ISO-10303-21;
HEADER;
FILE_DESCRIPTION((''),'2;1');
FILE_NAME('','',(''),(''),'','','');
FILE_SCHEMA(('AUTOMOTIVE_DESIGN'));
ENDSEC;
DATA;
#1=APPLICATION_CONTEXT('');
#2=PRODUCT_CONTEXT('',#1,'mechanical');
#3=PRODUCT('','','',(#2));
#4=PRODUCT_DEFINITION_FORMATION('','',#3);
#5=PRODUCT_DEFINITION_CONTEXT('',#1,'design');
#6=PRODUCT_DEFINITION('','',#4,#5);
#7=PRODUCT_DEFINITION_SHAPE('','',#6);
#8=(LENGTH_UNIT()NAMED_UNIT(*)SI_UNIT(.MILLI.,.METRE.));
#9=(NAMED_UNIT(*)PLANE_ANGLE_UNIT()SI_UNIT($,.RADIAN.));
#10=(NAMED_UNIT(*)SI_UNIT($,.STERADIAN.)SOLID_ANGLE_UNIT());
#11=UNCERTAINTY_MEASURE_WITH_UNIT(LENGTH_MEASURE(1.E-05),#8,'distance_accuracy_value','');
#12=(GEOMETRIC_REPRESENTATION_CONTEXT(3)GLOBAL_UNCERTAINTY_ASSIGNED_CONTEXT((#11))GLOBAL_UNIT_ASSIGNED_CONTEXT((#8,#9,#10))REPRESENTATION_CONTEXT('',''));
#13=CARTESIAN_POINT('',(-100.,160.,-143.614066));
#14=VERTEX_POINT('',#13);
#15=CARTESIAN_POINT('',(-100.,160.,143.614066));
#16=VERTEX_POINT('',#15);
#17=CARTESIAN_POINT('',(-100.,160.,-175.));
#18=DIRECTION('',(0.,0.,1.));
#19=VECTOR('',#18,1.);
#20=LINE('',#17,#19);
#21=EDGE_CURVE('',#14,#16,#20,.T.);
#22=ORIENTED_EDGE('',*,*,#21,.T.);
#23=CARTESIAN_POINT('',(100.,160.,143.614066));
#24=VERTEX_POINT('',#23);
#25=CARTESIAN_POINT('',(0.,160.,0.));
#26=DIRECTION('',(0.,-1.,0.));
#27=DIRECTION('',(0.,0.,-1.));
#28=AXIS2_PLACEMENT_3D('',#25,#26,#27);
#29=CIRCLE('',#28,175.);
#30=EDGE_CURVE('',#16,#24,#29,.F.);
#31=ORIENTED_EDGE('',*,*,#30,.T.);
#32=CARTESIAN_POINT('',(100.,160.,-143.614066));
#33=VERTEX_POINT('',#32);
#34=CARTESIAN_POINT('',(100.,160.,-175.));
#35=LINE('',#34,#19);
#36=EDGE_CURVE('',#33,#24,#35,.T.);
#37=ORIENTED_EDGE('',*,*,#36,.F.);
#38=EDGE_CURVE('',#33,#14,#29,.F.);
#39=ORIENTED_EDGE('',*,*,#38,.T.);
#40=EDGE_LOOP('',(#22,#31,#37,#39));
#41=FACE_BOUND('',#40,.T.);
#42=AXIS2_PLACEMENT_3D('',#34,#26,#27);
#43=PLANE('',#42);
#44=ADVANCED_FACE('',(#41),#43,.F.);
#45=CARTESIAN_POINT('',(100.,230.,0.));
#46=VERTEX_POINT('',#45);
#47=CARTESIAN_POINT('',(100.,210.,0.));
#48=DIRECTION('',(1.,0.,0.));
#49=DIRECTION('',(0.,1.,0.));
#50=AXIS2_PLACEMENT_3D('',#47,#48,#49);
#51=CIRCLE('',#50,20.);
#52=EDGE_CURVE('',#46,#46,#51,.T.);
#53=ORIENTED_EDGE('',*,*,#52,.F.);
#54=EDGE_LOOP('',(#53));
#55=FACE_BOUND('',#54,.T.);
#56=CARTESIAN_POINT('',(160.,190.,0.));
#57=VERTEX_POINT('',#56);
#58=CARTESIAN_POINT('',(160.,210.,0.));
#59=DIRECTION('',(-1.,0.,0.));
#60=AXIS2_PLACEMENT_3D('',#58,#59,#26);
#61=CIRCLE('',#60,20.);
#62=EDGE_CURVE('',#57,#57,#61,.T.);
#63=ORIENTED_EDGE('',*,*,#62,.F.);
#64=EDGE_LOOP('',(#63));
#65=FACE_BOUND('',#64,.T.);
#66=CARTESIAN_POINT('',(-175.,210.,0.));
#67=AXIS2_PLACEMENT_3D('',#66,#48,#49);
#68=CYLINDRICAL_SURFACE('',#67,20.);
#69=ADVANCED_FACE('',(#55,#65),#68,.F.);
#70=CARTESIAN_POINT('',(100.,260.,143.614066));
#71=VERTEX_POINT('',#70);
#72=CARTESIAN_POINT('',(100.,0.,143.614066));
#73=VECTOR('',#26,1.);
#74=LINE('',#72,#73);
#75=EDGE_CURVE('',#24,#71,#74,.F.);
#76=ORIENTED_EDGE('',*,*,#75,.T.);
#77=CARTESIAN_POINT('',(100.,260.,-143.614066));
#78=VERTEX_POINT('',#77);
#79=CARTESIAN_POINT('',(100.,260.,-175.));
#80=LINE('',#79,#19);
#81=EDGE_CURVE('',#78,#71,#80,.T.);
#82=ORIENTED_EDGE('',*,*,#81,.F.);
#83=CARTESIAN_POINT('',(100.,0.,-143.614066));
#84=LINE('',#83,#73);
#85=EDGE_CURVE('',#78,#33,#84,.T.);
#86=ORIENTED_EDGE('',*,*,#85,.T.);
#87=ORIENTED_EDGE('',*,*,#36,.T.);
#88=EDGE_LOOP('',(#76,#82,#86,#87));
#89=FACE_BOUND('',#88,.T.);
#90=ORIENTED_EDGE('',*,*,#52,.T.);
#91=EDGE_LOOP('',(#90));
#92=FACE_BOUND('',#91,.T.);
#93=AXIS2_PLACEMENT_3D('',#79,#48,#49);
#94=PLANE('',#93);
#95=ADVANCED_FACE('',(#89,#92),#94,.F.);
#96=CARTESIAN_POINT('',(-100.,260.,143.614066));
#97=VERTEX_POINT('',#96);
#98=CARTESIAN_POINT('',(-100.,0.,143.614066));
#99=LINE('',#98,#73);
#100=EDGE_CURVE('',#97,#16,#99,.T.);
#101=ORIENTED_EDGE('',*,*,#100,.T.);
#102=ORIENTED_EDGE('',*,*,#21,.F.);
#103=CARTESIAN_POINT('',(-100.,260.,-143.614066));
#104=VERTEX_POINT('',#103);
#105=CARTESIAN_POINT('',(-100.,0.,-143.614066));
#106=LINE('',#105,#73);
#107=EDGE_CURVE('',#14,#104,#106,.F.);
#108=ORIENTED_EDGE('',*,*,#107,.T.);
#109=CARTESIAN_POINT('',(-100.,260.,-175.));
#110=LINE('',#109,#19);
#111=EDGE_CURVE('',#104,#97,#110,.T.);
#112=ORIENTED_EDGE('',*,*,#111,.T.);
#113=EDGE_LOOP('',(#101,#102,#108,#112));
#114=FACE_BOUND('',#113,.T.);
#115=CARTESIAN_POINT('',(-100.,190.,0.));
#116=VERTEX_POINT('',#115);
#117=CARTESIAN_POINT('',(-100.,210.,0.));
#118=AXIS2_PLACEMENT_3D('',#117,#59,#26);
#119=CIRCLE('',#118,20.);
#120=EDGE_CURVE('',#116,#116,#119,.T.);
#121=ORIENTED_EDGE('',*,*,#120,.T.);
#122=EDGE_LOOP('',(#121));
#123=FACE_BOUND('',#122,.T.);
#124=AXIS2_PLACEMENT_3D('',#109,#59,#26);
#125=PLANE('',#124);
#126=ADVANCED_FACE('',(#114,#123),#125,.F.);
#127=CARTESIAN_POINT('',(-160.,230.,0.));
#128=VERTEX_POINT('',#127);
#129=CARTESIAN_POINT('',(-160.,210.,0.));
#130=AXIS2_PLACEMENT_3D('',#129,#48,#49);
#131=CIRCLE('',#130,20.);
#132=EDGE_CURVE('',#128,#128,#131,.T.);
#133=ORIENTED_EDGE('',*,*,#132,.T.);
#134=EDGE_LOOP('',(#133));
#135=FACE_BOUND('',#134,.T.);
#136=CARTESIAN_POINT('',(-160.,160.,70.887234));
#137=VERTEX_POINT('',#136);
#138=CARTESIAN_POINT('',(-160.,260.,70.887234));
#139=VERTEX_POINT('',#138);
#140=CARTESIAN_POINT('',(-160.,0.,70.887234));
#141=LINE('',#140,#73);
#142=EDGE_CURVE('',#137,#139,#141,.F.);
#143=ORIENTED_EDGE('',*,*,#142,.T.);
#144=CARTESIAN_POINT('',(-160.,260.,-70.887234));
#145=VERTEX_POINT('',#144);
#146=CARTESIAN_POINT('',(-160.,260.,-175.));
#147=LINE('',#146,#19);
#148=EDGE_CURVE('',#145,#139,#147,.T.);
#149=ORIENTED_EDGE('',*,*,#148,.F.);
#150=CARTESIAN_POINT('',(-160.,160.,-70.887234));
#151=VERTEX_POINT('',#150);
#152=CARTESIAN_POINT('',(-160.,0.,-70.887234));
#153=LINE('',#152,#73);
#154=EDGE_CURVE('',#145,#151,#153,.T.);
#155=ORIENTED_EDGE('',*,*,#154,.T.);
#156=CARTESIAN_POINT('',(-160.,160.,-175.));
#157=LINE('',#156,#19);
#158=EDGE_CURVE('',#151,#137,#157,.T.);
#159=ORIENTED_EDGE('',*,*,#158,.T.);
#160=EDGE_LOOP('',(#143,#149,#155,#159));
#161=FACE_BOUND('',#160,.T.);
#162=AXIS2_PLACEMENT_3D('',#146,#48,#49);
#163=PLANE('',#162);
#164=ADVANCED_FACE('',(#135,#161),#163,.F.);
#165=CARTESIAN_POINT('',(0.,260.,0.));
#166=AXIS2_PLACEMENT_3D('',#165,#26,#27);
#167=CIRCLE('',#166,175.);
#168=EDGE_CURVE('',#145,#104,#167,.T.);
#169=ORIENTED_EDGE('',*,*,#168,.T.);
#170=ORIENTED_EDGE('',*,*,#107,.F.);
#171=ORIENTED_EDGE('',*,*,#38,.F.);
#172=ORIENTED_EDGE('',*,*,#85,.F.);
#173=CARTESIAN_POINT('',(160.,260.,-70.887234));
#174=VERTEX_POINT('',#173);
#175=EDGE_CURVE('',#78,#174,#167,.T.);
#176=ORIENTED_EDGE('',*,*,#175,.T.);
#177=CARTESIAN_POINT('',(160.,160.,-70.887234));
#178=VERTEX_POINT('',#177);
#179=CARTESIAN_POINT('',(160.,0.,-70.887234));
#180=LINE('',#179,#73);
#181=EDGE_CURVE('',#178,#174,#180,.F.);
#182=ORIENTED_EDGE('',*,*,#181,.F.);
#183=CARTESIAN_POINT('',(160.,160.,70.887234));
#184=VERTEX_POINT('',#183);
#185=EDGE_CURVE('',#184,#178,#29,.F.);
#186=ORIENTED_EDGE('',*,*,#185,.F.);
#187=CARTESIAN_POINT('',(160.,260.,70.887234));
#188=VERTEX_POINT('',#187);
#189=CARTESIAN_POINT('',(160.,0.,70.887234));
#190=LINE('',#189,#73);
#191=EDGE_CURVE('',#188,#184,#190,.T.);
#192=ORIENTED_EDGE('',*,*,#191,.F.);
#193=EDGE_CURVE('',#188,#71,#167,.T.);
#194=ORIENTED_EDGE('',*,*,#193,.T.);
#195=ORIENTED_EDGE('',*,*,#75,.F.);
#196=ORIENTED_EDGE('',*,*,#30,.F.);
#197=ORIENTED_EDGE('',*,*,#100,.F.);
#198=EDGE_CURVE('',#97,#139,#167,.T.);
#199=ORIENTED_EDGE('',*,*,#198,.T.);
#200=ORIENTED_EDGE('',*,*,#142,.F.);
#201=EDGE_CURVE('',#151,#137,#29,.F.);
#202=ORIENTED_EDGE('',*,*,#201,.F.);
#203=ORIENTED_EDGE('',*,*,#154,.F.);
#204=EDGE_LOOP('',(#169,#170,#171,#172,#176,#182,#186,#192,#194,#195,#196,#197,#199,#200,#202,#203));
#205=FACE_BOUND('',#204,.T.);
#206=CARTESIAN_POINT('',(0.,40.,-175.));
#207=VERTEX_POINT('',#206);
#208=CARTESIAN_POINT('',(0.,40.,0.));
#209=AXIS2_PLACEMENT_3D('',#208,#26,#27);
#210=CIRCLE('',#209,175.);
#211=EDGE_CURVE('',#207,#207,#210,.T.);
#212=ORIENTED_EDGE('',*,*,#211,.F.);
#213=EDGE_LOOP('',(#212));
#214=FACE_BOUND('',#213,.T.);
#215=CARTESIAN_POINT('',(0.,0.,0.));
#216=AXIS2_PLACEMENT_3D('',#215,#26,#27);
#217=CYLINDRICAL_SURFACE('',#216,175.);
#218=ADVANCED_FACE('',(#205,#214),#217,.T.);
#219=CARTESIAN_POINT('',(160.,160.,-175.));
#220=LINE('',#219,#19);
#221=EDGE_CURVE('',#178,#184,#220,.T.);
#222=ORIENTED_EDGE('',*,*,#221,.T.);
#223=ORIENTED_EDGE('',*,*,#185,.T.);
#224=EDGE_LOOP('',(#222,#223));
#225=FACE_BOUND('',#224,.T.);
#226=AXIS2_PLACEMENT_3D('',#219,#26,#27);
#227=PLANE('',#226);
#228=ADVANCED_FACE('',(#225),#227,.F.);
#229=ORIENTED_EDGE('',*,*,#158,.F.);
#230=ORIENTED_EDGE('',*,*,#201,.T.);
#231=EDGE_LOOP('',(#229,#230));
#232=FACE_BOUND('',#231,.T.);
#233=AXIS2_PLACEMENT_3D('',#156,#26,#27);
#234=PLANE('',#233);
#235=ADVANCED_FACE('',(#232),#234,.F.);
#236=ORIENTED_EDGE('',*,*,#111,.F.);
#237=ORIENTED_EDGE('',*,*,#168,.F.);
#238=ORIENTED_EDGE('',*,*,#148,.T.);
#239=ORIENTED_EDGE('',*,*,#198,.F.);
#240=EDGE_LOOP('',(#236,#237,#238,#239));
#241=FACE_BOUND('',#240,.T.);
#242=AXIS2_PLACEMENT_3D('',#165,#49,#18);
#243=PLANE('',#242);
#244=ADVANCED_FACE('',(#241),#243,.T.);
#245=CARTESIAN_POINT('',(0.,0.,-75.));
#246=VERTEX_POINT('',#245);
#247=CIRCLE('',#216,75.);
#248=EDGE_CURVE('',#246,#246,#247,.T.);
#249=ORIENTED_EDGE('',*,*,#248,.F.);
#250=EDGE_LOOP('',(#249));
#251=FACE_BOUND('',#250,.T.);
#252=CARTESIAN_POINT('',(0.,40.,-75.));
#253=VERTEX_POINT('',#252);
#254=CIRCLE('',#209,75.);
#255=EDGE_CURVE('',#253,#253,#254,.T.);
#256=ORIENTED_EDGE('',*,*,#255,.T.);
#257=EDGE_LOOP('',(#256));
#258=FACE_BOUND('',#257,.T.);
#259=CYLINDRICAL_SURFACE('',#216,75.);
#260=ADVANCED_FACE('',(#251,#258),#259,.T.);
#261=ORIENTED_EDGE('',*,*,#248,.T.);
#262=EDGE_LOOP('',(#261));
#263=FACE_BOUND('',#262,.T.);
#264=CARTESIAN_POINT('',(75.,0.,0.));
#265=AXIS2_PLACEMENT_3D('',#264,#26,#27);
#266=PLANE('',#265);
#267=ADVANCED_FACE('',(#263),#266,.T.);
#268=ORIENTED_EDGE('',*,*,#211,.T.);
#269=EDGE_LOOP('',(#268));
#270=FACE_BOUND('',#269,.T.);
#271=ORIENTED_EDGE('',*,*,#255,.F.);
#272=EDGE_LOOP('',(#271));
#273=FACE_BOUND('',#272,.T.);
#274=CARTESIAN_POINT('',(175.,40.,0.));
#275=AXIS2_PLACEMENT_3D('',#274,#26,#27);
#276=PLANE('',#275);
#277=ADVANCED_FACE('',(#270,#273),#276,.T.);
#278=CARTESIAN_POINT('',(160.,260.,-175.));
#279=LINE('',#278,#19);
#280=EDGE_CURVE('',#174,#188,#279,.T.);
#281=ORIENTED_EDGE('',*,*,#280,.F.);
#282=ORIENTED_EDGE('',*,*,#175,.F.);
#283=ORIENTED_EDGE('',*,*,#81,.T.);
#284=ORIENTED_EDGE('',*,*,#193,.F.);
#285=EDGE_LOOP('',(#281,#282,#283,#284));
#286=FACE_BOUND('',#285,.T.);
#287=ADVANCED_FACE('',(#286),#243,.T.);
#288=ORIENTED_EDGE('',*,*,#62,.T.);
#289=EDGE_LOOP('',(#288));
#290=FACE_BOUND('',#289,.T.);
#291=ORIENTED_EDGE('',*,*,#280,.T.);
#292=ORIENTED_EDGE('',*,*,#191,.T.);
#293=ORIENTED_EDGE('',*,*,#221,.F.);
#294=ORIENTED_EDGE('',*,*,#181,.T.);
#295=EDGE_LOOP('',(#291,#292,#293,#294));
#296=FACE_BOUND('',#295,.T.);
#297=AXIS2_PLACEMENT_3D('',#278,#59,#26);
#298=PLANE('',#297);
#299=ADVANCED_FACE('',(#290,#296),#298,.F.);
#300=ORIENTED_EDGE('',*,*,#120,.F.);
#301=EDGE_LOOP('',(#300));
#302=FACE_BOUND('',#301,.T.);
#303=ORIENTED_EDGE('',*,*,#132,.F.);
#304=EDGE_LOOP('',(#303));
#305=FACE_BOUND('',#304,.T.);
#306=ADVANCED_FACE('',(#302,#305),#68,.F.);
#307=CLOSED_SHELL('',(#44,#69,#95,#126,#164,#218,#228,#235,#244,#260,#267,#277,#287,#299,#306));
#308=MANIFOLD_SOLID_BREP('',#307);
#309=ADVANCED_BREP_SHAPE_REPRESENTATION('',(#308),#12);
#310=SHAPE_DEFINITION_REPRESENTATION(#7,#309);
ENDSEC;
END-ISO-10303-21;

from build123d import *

# Parameters (mm, degrees)
ESBO_O2_W                  = 200
ESBO_O2_H                  = 100
ESBO_O2_W_2                = 15
CORTE_EXTRUS_O1_DEPTH      = 176
CORTE_EXTRUS_O1_DEPTH_BACK = 176
ESBO_O3_R                  = 20
CORTE_EXTRUS_O2_DEPTH      = 16
CORTE_EXTRUS_O2_DEPTH_BACK = 336


with BuildPart() as part:
    # Esboço1 → Revolução1 (revolve)
    with BuildSketch(Plane.XY):
        Polygon((0, 260), (175, 260), (175, 40), (75, 40), (75, 0), (0, 0), align=None)
    revolve(axis=Axis((0, 0, 0), (0, 1, 0)))

    # Esboço2 → Corte-extrusão1 (cut, two sides)
    with BuildSketch(Plane.XY) as corte_extrus_o1_sk:
        with Locations((0, 210)):
            Rectangle(ESBO_O2_W, ESBO_O2_H)
        with Locations((167.5, 210)):
            Rectangle(ESBO_O2_W_2, ESBO_O2_H)
        with Locations((-167.5, 210)):
            Rectangle(ESBO_O2_W_2, ESBO_O2_H)
    extrude(amount=CORTE_EXTRUS_O1_DEPTH, mode=Mode.SUBTRACT)
    extrude(corte_extrus_o1_sk.sketch, amount=-CORTE_EXTRUS_O1_DEPTH_BACK, mode=Mode.SUBTRACT)

    # Esboço3 → Corte-extrusão2 (cut, two sides)
    with BuildSketch(Plane(origin=(160, 0, 0), x_dir=(0, 0, -1), z_dir=(1, 0, 0))) as corte_extrus_o2_sk:
        with Locations((0, 210)):
            Circle(ESBO_O3_R)
    extrude(amount=CORTE_EXTRUS_O2_DEPTH, mode=Mode.SUBTRACT)
    extrude(corte_extrus_o2_sk.sketch, amount=-CORTE_EXTRUS_O2_DEPTH_BACK, mode=Mode.SUBTRACT)


solid = part.part
